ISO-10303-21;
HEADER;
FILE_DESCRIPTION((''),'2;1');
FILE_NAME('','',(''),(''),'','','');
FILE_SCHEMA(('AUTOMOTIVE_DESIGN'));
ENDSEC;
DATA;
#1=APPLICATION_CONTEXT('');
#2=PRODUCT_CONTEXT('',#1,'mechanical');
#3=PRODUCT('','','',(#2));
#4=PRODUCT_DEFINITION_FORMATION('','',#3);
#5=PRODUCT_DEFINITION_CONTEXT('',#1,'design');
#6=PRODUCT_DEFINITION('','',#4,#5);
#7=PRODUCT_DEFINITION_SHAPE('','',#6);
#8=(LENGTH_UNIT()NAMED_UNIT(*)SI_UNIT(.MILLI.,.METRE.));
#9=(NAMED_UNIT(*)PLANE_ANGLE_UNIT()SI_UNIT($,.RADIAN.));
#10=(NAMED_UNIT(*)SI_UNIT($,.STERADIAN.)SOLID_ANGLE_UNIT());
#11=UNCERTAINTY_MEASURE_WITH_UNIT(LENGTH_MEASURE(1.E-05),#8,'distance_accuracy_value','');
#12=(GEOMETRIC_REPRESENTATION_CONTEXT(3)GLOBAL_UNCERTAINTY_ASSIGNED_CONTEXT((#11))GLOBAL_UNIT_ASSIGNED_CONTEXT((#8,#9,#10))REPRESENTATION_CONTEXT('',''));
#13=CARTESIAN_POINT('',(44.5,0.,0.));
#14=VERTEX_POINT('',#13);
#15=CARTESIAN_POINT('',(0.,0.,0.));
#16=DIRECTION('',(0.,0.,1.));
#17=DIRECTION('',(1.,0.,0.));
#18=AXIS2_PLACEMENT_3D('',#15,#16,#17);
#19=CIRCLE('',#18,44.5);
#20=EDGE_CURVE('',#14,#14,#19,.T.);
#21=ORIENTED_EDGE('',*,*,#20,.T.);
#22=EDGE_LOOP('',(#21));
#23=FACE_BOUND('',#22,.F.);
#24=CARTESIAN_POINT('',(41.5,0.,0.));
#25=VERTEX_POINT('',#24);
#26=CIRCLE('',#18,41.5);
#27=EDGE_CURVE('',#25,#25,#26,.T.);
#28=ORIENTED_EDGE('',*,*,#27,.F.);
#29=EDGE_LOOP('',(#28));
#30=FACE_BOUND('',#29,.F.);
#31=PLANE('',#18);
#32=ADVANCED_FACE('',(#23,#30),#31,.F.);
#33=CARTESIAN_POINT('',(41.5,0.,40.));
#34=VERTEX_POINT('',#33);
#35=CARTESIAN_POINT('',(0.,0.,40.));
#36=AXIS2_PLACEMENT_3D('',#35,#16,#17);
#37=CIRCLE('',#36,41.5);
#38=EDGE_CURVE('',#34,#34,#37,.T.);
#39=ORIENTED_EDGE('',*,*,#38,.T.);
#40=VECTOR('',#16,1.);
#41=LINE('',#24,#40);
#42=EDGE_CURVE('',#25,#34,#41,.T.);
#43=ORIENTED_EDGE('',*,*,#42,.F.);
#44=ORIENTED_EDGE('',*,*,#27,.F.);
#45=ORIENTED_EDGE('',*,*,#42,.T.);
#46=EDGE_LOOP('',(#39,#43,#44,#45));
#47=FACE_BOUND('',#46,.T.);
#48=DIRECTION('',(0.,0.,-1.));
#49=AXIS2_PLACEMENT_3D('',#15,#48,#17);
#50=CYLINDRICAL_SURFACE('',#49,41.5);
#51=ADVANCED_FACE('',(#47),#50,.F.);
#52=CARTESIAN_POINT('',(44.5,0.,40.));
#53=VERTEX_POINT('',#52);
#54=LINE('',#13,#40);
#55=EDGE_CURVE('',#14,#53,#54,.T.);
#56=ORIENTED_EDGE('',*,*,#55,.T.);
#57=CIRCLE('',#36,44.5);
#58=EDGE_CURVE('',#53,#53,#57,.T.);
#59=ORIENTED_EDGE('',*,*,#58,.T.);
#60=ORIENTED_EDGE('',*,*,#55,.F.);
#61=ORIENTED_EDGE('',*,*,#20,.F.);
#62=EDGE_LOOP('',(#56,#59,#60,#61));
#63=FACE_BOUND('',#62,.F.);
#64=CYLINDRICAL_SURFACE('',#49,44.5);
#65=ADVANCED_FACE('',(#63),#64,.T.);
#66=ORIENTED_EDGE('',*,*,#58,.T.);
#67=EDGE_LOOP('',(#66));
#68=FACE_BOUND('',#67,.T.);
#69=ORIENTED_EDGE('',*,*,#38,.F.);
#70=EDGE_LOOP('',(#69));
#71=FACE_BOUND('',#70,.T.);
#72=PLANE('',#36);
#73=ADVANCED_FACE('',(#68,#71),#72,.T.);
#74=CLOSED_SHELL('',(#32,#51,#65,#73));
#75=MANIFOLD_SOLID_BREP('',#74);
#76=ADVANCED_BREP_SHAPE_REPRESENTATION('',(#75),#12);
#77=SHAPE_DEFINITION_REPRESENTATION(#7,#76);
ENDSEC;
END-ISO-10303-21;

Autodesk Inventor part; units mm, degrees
ref_plane "YZ Plane" through (0, 0, 0) normal (1, 0, 0) x (0, 1, 0)
ref_plane "XZ Plane" through (0, 0, 0) normal (0, 1, 0) x (-1, 0, 0)
ref_plane "XY Plane" through (0, 0, 0) normal (0, 0, 1) x (1, 0, 0)
sketch "Sketch1" plane through (0, 0, 0) normal (0, 0, 1) x (1, 0, 0)
  circle A0 centre (0, 0) radius 44.5
  circle A1 centre (0, 0) radius 41.5
  dimension "d0" = 89
  dimension "d1" = 3
extrude "Extrusion1" add sketch "Sketch1" along normal blind 40
properties part number "MSC 105 ROCKET TUBE 9"
